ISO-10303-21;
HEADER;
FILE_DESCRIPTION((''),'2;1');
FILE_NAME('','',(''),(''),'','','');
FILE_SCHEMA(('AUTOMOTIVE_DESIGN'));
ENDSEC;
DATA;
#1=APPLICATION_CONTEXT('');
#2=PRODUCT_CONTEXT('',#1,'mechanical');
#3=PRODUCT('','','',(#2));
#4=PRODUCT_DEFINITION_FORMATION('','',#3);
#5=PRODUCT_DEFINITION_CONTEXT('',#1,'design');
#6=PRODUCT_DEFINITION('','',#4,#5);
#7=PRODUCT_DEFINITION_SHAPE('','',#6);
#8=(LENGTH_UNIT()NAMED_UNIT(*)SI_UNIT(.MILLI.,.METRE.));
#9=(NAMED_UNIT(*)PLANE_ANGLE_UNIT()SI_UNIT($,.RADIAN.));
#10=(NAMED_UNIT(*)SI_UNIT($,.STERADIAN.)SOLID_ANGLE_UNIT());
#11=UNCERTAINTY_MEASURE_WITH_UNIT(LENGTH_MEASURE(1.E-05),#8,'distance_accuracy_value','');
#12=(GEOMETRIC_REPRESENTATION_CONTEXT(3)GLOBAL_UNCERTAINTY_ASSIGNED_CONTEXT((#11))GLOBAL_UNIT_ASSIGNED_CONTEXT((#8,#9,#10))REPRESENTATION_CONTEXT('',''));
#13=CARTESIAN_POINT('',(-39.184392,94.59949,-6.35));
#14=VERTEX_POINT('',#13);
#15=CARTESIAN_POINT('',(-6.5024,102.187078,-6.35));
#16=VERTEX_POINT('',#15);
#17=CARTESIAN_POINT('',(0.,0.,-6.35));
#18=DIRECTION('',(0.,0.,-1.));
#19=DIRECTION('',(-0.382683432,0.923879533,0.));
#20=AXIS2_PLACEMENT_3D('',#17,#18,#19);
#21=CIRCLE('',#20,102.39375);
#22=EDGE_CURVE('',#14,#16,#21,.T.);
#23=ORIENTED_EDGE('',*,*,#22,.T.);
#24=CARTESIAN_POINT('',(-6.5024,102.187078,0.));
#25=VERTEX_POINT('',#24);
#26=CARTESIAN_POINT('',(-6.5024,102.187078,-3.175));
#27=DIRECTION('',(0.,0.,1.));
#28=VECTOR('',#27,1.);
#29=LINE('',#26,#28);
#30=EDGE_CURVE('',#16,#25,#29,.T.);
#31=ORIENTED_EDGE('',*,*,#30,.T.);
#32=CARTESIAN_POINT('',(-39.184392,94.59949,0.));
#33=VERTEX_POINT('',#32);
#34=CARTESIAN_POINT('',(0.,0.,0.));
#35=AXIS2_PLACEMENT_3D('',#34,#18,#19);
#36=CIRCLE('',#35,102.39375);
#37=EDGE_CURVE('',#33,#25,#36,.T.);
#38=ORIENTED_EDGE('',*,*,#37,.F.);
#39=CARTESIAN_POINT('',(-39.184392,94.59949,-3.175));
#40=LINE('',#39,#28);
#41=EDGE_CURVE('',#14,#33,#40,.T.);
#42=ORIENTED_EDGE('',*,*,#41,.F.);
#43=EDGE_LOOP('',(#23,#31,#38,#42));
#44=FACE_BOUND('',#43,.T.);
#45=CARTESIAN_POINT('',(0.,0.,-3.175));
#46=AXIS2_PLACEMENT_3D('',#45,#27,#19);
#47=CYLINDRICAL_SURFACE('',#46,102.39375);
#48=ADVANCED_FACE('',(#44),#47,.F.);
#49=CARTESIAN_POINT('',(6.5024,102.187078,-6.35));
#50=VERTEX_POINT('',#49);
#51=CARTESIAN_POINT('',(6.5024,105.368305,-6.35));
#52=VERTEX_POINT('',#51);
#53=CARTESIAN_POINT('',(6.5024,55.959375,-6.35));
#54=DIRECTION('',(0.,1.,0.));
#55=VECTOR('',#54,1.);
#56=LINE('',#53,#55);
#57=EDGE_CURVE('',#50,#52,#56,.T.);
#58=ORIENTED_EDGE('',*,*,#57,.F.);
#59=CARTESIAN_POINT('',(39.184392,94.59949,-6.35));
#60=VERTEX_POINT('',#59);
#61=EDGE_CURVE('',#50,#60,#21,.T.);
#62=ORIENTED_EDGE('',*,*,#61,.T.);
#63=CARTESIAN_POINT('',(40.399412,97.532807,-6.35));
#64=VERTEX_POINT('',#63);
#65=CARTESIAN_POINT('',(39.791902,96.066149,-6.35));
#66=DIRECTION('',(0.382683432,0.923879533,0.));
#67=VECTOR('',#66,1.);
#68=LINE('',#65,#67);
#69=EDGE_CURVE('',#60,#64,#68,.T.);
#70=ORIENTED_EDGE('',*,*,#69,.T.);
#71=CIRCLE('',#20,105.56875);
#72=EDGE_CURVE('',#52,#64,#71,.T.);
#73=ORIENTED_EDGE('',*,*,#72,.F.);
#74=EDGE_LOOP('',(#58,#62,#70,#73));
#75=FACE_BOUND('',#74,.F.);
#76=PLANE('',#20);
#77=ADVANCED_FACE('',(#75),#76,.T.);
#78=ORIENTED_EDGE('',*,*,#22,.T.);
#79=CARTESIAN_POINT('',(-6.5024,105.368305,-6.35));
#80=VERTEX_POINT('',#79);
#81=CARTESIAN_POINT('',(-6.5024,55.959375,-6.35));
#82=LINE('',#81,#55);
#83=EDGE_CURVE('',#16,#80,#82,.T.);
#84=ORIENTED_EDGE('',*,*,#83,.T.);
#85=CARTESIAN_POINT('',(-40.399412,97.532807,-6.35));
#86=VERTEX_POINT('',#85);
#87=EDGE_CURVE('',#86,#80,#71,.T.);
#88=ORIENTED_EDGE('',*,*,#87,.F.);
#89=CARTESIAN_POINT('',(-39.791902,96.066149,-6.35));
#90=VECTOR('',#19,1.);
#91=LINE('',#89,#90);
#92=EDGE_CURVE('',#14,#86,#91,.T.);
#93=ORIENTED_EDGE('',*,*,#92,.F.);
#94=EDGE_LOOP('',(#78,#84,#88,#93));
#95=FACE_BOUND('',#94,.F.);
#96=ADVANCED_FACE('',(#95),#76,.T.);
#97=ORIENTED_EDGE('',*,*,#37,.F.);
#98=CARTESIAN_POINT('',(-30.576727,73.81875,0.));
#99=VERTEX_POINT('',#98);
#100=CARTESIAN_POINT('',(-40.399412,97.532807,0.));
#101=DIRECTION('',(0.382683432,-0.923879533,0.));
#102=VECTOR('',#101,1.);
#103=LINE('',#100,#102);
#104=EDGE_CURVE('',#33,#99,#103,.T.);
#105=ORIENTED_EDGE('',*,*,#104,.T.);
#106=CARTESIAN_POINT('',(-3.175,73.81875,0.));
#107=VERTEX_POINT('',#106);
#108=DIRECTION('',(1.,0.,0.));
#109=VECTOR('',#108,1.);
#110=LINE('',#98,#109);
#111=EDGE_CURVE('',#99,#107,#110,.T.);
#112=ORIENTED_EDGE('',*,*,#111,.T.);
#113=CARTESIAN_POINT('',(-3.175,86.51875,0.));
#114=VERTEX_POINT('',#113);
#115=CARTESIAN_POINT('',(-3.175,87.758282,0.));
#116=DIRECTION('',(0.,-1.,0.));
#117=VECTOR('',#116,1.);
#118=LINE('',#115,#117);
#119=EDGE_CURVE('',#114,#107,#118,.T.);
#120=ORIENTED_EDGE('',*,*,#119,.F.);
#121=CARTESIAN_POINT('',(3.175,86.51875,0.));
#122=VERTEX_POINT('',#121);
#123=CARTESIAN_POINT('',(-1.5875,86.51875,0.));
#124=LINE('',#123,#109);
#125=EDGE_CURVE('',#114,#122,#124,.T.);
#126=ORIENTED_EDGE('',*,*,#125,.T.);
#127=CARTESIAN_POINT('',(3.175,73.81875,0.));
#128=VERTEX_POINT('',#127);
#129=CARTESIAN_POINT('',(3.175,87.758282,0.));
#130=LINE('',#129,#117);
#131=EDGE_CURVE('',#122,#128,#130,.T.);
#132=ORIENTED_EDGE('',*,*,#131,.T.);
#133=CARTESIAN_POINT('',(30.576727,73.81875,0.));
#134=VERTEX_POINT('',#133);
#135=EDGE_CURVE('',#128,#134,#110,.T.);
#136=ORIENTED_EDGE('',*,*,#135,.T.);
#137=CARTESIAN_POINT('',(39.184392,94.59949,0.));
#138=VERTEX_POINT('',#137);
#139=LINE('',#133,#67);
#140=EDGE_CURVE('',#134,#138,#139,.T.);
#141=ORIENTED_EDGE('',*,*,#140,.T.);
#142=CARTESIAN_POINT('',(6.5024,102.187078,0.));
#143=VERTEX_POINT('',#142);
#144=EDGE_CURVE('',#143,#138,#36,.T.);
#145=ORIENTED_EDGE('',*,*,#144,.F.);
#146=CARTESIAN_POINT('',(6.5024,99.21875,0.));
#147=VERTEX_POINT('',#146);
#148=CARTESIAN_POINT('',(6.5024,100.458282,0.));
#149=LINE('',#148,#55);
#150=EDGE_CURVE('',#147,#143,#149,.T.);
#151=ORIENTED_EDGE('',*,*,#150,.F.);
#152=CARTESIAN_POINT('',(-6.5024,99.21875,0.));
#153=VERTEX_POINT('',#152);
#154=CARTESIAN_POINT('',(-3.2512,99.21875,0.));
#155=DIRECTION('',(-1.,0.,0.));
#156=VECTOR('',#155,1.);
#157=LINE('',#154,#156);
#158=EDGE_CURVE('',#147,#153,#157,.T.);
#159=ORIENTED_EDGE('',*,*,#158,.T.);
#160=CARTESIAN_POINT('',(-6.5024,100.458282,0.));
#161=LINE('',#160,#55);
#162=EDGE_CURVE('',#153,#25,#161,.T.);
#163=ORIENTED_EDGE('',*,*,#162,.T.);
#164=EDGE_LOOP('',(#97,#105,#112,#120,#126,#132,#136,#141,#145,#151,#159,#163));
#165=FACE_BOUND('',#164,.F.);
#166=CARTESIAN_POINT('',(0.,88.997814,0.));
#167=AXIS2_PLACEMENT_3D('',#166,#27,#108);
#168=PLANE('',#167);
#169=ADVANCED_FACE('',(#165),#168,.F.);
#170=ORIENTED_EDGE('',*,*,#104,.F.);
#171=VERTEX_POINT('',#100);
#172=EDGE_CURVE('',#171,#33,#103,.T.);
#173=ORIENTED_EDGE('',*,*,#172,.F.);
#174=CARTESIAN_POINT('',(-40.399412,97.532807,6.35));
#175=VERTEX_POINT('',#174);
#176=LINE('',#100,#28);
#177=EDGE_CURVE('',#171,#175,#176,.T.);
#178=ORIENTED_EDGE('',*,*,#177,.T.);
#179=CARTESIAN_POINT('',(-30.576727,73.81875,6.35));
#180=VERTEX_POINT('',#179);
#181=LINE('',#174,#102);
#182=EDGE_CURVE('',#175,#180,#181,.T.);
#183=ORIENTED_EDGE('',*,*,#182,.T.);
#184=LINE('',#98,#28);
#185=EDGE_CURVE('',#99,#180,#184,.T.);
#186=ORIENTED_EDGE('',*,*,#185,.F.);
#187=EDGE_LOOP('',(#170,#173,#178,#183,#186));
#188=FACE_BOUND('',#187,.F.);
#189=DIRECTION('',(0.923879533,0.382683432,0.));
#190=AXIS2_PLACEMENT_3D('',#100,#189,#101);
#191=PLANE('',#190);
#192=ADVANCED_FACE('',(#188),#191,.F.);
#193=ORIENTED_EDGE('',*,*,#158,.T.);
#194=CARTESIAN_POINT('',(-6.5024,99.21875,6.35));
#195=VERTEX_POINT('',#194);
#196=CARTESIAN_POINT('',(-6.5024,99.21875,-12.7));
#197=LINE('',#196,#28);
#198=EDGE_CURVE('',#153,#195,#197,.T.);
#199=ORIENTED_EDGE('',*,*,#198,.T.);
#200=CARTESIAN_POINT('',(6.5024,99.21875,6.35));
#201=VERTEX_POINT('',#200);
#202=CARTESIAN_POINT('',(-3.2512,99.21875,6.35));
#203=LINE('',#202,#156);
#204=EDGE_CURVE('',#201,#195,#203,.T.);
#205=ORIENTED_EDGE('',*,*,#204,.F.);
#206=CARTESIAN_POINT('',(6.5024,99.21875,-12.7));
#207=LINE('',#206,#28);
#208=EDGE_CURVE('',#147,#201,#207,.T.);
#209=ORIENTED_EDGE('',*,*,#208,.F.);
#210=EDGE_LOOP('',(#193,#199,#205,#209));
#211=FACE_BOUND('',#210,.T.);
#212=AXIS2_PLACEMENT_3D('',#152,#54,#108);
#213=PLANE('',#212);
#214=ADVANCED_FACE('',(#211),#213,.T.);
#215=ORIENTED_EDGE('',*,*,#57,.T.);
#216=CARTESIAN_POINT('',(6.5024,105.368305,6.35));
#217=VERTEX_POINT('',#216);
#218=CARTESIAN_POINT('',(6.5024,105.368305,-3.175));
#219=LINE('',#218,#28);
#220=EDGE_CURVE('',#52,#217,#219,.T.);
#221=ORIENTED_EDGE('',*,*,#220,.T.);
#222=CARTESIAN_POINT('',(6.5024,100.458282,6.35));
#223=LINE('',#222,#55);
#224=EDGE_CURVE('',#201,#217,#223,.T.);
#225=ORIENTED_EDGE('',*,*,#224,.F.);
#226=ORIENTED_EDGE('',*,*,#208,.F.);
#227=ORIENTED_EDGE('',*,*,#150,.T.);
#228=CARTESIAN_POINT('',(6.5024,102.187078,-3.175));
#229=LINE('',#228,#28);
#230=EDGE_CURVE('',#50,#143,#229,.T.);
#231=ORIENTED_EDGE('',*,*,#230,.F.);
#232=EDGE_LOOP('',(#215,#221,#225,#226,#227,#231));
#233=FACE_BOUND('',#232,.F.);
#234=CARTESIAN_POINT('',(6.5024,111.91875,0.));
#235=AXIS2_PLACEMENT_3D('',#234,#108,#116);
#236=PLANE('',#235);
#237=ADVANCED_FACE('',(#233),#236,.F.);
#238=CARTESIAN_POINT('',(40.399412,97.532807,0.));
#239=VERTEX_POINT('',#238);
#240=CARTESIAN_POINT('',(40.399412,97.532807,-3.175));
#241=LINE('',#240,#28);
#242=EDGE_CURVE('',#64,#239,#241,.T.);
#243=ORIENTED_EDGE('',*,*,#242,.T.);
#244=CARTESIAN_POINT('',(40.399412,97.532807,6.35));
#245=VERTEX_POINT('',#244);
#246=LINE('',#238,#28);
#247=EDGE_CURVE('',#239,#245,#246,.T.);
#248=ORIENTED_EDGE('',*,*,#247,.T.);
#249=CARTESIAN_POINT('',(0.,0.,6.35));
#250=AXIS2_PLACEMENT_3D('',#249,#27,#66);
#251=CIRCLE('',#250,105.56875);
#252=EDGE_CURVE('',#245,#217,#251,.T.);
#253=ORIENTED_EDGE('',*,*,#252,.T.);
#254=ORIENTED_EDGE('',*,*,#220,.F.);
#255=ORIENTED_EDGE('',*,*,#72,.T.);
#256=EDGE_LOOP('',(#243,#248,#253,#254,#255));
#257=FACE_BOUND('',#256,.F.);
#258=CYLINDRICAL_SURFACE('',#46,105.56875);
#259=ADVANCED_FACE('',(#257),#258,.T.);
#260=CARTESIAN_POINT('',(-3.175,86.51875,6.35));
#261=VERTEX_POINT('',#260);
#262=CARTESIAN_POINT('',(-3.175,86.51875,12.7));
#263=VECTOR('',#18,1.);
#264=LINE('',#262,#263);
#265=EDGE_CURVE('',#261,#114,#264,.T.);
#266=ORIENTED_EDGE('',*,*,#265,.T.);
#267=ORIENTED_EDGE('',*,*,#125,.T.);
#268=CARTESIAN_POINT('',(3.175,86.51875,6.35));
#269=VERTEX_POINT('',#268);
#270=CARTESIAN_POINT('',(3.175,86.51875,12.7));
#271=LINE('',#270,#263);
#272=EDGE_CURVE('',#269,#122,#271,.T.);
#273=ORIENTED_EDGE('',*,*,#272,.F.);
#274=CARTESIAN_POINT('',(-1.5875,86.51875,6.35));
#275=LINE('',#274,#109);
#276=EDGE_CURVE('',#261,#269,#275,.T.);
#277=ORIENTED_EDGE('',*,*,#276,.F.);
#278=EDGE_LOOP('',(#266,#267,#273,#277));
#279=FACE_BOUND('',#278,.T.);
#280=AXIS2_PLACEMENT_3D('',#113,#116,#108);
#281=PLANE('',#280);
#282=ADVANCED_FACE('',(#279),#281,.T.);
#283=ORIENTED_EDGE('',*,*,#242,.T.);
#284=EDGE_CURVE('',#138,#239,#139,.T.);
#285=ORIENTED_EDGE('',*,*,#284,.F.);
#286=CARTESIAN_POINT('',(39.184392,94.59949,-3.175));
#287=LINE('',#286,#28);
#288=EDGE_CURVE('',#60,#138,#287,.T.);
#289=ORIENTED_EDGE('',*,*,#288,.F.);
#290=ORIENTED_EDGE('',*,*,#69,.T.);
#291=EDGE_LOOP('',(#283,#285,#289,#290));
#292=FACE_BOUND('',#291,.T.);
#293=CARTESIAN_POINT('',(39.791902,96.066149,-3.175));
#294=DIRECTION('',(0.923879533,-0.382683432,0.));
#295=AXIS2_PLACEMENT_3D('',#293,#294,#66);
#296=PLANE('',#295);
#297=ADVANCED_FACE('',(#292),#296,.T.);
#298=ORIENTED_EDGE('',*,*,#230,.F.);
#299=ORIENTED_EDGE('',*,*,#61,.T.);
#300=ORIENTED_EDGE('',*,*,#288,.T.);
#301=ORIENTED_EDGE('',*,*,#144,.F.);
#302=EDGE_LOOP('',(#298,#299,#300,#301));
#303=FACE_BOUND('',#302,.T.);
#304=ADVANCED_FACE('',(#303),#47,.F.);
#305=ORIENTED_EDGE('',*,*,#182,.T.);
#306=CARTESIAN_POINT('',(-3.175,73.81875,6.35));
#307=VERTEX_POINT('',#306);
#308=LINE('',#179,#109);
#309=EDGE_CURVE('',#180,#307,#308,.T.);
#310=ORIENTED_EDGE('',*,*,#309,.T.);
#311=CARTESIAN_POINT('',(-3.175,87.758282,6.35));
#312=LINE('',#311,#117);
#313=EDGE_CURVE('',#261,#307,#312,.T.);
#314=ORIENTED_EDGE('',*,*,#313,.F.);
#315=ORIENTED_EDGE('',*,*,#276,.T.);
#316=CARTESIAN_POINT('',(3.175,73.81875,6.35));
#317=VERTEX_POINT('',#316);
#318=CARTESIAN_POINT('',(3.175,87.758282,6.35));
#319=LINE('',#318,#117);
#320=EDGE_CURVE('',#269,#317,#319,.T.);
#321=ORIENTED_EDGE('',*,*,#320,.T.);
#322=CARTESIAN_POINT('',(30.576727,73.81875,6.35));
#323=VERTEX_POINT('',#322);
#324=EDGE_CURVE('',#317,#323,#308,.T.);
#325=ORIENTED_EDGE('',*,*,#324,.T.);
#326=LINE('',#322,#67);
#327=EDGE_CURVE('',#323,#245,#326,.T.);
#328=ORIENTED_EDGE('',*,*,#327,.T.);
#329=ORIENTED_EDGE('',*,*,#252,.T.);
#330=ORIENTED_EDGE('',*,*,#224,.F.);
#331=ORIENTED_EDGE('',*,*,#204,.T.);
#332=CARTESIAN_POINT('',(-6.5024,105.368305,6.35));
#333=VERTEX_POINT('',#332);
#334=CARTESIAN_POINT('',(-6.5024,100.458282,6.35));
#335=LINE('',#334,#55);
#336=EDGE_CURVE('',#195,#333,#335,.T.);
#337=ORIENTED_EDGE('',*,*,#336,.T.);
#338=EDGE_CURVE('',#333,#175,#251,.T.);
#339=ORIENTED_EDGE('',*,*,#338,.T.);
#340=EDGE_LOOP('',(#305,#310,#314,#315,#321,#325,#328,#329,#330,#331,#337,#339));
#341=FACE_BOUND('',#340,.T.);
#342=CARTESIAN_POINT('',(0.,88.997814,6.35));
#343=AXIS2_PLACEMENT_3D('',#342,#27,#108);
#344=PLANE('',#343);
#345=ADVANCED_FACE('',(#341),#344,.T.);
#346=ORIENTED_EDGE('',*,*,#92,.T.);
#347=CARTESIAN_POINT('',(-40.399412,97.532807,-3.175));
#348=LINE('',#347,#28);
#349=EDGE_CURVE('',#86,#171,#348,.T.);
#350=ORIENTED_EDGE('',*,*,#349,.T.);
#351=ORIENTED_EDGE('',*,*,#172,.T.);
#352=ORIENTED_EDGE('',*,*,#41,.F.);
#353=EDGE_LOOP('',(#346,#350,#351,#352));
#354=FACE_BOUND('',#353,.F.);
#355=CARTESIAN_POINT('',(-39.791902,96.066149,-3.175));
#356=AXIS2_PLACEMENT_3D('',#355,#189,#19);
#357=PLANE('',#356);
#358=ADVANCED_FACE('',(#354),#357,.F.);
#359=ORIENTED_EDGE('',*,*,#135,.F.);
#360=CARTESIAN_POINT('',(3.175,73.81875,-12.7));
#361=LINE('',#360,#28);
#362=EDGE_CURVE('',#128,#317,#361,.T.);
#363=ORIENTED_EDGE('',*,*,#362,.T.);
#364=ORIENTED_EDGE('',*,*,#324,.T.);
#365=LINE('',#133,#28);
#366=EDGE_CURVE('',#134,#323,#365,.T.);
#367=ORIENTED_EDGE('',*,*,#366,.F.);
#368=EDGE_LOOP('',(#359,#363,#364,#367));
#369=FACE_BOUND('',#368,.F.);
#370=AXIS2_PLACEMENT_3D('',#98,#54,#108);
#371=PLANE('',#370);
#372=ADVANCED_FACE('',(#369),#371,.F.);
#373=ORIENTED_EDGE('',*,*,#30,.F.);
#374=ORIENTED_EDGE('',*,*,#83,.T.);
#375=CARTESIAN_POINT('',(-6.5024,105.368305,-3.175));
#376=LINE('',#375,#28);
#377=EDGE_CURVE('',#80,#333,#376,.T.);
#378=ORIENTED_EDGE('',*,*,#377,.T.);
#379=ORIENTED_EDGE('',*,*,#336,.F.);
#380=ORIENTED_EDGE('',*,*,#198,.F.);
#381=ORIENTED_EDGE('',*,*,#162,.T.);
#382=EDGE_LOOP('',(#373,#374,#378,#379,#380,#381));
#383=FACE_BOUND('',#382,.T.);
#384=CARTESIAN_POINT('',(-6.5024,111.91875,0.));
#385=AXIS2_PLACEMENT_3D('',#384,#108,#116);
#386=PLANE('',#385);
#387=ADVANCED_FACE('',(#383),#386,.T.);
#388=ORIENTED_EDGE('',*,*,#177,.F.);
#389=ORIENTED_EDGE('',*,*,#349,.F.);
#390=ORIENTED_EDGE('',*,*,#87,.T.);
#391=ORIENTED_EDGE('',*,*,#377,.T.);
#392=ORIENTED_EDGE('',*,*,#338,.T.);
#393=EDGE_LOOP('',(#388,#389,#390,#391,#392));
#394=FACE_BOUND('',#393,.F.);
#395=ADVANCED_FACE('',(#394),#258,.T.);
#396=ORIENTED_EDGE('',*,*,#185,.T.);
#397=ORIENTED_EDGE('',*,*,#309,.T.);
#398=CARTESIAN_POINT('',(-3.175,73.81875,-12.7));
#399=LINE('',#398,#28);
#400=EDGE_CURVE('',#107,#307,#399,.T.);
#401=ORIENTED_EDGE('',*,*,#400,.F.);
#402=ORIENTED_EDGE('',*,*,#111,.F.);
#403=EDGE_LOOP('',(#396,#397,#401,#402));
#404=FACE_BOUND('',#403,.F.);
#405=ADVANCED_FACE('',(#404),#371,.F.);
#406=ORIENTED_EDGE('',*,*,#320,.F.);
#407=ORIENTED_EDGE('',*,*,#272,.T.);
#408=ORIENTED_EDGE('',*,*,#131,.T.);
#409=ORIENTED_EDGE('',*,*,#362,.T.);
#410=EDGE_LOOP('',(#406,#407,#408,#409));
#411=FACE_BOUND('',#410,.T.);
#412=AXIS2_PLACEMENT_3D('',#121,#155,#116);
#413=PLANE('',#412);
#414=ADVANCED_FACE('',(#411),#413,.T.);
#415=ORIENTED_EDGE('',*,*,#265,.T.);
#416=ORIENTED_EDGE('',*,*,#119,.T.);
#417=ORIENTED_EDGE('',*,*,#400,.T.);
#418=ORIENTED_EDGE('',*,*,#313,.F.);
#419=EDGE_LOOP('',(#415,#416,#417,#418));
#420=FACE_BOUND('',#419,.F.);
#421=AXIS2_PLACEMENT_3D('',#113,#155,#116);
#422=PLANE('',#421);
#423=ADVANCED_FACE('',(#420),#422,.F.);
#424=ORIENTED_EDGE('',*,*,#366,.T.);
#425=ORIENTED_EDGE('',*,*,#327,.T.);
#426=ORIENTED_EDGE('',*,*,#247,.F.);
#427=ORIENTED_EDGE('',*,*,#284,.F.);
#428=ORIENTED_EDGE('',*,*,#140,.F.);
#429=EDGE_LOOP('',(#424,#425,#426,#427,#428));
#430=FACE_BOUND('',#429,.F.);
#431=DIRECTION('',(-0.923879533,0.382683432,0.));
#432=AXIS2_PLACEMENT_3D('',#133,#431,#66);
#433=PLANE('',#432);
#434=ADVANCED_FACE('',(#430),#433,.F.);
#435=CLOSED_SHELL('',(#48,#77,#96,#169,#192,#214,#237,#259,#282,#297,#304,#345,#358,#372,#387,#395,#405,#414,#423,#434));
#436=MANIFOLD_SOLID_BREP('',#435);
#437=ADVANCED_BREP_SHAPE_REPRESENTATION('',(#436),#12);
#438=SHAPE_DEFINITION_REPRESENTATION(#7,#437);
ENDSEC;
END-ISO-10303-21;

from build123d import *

# Parameters (mm, degrees)
F1_DEPTH      = 6.35
F2_W          = 3.175
F2_H          = 6.35
F4_ANGLE_BACK = 22.5
F4_ANGLE      = 45
F5_W          = 6.35
F5_H          = 12.7
F5_W_2        = 13.0048
F6_DEPTH      = 12.7


with BuildPart() as f1:
    # F0 (on Top) → F1 (new body)
    with BuildSketch(Plane.XY):
        with BuildLine():
            Line((30.5767274074, 73.81875), (40.3994116005, 97.5328073978))
            ThreePointArc((40.3994116005, 97.5328073978), (0, 105.56875), (-40.3994116005, 97.5328073978))
            Line((-40.3994116005, 97.5328073978), (-30.5767274074, 73.81875))
            Line((-30.5767274074, 73.81875), (30.5767274074, 73.81875))
        make_face()
    extrude(amount=F1_DEPTH)

    # F2 (on Right) → F4 (revolve)
    with BuildSketch(Plane.YZ, mode=Mode.PRIVATE) as f4_sk:
        with Locations((103.98125, -3.175)):
            Rectangle(F2_W, F2_H)
    revolve(f4_sk.sketch.rotate(Axis((0, 0, 6.6674984992), (0, 0, -1)), -F4_ANGLE_BACK), axis=Axis((0, 0, 6.6674984992), (0, 0, -1)), revolution_arc=F4_ANGLE)

    # F5 (on face) → F6 (cut, symmetric)
    with BuildSketch(Plane(origin=(0, 0, 0), x_dir=(1, 0, 0), z_dir=(0, 0, -1))):
        with Locations((0, -80.16875)):
            Rectangle(F5_W, F5_H)
        with Locations((0, -105.56875)):
            Rectangle(F5_W_2, F5_H)
    extrude(amount=F6_DEPTH, both=True, mode=Mode.SUBTRACT)


solid = f1.part
